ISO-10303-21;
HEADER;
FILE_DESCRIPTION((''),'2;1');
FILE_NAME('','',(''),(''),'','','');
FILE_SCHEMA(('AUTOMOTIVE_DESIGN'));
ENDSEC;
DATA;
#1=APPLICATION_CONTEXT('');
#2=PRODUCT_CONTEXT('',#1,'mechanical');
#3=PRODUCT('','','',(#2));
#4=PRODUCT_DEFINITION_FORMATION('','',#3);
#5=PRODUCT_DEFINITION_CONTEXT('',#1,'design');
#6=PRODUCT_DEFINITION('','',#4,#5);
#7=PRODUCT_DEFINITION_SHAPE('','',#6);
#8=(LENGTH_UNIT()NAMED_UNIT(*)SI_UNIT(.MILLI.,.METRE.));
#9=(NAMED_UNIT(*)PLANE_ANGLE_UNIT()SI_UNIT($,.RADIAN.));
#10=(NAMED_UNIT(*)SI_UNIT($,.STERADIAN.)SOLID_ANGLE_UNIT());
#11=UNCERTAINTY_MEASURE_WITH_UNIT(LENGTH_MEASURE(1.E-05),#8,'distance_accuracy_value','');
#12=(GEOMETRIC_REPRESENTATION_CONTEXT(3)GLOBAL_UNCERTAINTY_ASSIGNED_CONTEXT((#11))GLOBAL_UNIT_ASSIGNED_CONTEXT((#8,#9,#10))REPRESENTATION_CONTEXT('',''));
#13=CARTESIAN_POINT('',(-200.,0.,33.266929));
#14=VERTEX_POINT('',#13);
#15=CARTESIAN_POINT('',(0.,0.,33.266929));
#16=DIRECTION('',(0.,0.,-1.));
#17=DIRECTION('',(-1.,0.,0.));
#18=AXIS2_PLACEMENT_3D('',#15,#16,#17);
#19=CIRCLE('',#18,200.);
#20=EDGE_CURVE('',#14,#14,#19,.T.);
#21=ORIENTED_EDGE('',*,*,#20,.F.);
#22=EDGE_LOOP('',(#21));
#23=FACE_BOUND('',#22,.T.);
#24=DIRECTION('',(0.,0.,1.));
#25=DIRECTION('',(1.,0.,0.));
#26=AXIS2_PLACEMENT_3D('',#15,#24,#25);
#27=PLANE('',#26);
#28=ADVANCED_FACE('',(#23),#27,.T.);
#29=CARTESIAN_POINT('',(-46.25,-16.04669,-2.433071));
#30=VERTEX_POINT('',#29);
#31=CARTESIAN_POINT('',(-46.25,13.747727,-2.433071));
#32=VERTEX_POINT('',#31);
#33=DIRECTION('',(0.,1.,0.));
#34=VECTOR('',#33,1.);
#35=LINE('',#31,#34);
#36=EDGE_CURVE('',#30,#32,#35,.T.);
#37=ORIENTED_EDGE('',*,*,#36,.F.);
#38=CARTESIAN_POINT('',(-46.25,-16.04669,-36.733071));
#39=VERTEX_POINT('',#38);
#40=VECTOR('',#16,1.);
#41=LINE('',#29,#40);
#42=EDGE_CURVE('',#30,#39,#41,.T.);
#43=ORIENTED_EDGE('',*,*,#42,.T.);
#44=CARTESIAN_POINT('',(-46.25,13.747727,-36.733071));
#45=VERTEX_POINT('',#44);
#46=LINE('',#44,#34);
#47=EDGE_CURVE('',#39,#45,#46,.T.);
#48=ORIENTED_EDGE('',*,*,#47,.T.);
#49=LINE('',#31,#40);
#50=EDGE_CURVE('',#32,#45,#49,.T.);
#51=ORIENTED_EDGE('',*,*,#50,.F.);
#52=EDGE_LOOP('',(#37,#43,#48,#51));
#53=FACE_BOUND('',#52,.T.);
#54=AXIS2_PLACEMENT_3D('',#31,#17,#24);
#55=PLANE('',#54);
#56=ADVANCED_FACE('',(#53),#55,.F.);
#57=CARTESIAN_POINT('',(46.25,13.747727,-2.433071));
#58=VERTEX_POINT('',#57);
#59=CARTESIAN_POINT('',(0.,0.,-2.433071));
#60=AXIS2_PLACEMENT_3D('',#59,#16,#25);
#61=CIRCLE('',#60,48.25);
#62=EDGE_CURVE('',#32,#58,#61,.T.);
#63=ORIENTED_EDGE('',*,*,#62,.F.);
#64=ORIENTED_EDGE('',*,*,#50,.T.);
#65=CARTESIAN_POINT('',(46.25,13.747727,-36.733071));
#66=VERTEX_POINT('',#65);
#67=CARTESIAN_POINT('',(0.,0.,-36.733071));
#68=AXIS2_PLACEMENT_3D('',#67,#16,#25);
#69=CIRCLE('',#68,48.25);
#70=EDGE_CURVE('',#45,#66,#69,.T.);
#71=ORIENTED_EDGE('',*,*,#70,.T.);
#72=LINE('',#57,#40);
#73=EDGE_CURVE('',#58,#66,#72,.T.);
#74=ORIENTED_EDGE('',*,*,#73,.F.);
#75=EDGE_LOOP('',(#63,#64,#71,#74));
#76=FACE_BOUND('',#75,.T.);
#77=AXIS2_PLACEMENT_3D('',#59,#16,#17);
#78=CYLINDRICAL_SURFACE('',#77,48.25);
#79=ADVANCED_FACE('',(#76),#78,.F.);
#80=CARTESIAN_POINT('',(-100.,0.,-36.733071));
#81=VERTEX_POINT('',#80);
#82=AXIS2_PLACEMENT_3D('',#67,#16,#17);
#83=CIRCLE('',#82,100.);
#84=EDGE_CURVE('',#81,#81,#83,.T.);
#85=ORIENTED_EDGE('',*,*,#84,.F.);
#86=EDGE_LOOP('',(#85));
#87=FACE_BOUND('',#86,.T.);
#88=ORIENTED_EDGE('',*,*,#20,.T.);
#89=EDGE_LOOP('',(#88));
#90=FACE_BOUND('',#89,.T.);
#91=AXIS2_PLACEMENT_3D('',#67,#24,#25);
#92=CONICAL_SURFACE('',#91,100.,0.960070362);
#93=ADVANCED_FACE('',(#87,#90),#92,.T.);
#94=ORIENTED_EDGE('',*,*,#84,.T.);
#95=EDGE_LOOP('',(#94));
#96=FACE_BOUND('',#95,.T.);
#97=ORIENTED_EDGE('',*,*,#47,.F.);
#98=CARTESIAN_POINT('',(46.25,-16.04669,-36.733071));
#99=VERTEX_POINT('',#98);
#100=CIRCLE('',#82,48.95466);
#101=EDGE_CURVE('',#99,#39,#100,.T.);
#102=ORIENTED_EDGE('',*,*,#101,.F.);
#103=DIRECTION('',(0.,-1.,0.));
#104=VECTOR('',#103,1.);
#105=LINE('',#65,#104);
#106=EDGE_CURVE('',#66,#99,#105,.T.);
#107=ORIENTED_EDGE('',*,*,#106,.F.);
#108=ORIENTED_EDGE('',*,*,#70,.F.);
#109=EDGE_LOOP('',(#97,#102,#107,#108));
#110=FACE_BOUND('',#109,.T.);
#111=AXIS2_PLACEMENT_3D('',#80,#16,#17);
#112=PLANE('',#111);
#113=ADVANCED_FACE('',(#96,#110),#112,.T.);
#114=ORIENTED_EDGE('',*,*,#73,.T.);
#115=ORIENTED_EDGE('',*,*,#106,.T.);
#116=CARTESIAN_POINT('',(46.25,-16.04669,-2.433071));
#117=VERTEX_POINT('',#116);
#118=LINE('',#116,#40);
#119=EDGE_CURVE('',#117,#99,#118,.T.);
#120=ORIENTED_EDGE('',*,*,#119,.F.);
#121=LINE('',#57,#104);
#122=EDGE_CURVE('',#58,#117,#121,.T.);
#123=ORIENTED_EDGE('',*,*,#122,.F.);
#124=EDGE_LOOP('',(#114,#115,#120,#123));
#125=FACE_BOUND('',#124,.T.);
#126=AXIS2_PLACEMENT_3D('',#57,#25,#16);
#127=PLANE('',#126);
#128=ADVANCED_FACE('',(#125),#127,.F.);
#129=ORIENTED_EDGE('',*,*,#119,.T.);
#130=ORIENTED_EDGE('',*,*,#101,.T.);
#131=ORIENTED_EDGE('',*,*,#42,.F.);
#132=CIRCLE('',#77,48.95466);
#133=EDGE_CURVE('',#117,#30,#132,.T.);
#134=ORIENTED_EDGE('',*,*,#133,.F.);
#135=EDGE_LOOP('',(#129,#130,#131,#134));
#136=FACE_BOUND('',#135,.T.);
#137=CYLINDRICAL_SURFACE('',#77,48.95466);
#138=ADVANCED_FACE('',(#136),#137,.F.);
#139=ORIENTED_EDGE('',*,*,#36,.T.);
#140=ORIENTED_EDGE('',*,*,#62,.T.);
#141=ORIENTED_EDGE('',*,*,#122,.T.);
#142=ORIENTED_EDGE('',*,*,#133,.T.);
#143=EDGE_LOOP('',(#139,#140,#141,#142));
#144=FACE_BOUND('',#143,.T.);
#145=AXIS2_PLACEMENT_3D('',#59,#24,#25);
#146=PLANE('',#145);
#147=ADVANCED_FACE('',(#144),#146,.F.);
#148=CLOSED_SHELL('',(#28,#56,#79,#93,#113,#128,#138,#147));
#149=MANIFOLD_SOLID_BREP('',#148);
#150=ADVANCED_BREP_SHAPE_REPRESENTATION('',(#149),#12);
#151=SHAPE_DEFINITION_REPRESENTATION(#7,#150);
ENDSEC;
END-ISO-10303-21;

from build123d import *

# Parameters (mm, degrees)
CUT_EXTRUDE_1_DEPTH = 34.3


with BuildPart() as part:
    # 草图3 → 旋转1 (revolve)
    with BuildSketch(Plane(origin=(0, 0, 0), x_dir=(1, 0, 0), z_dir=(0, 1, 0))):
        Polygon((-100, 36.733070518), (0, 36.733070518), (0, -33.266929482), (-200, -33.266929482), align=None)
    revolve(axis=Axis((0, 0, -36.733070518), (0, 0, 1)))

    # 草图4 → 切除-拉伸1 (cut)
    with BuildSketch(Plane(origin=(0, 0, -36.733070518), x_dir=(-1, 0, 0), z_dir=(0, 0, -1))):
        with BuildLine():
            Line((-46.25, 13.747727085), (-46.25, -16.046690113))
            ThreePointArc((-46.25, -16.046690113), (0, -48.954660285), (46.25, -16.046690113))
            Line((46.25, -16.046690113), (46.25, 13.747727085))
            ThreePointArc((46.25, 13.747727085), (0, 48.25), (-46.25, 13.747727085))
        make_face()
    extrude(amount=-CUT_EXTRUDE_1_DEPTH, mode=Mode.SUBTRACT)


solid = part.part
